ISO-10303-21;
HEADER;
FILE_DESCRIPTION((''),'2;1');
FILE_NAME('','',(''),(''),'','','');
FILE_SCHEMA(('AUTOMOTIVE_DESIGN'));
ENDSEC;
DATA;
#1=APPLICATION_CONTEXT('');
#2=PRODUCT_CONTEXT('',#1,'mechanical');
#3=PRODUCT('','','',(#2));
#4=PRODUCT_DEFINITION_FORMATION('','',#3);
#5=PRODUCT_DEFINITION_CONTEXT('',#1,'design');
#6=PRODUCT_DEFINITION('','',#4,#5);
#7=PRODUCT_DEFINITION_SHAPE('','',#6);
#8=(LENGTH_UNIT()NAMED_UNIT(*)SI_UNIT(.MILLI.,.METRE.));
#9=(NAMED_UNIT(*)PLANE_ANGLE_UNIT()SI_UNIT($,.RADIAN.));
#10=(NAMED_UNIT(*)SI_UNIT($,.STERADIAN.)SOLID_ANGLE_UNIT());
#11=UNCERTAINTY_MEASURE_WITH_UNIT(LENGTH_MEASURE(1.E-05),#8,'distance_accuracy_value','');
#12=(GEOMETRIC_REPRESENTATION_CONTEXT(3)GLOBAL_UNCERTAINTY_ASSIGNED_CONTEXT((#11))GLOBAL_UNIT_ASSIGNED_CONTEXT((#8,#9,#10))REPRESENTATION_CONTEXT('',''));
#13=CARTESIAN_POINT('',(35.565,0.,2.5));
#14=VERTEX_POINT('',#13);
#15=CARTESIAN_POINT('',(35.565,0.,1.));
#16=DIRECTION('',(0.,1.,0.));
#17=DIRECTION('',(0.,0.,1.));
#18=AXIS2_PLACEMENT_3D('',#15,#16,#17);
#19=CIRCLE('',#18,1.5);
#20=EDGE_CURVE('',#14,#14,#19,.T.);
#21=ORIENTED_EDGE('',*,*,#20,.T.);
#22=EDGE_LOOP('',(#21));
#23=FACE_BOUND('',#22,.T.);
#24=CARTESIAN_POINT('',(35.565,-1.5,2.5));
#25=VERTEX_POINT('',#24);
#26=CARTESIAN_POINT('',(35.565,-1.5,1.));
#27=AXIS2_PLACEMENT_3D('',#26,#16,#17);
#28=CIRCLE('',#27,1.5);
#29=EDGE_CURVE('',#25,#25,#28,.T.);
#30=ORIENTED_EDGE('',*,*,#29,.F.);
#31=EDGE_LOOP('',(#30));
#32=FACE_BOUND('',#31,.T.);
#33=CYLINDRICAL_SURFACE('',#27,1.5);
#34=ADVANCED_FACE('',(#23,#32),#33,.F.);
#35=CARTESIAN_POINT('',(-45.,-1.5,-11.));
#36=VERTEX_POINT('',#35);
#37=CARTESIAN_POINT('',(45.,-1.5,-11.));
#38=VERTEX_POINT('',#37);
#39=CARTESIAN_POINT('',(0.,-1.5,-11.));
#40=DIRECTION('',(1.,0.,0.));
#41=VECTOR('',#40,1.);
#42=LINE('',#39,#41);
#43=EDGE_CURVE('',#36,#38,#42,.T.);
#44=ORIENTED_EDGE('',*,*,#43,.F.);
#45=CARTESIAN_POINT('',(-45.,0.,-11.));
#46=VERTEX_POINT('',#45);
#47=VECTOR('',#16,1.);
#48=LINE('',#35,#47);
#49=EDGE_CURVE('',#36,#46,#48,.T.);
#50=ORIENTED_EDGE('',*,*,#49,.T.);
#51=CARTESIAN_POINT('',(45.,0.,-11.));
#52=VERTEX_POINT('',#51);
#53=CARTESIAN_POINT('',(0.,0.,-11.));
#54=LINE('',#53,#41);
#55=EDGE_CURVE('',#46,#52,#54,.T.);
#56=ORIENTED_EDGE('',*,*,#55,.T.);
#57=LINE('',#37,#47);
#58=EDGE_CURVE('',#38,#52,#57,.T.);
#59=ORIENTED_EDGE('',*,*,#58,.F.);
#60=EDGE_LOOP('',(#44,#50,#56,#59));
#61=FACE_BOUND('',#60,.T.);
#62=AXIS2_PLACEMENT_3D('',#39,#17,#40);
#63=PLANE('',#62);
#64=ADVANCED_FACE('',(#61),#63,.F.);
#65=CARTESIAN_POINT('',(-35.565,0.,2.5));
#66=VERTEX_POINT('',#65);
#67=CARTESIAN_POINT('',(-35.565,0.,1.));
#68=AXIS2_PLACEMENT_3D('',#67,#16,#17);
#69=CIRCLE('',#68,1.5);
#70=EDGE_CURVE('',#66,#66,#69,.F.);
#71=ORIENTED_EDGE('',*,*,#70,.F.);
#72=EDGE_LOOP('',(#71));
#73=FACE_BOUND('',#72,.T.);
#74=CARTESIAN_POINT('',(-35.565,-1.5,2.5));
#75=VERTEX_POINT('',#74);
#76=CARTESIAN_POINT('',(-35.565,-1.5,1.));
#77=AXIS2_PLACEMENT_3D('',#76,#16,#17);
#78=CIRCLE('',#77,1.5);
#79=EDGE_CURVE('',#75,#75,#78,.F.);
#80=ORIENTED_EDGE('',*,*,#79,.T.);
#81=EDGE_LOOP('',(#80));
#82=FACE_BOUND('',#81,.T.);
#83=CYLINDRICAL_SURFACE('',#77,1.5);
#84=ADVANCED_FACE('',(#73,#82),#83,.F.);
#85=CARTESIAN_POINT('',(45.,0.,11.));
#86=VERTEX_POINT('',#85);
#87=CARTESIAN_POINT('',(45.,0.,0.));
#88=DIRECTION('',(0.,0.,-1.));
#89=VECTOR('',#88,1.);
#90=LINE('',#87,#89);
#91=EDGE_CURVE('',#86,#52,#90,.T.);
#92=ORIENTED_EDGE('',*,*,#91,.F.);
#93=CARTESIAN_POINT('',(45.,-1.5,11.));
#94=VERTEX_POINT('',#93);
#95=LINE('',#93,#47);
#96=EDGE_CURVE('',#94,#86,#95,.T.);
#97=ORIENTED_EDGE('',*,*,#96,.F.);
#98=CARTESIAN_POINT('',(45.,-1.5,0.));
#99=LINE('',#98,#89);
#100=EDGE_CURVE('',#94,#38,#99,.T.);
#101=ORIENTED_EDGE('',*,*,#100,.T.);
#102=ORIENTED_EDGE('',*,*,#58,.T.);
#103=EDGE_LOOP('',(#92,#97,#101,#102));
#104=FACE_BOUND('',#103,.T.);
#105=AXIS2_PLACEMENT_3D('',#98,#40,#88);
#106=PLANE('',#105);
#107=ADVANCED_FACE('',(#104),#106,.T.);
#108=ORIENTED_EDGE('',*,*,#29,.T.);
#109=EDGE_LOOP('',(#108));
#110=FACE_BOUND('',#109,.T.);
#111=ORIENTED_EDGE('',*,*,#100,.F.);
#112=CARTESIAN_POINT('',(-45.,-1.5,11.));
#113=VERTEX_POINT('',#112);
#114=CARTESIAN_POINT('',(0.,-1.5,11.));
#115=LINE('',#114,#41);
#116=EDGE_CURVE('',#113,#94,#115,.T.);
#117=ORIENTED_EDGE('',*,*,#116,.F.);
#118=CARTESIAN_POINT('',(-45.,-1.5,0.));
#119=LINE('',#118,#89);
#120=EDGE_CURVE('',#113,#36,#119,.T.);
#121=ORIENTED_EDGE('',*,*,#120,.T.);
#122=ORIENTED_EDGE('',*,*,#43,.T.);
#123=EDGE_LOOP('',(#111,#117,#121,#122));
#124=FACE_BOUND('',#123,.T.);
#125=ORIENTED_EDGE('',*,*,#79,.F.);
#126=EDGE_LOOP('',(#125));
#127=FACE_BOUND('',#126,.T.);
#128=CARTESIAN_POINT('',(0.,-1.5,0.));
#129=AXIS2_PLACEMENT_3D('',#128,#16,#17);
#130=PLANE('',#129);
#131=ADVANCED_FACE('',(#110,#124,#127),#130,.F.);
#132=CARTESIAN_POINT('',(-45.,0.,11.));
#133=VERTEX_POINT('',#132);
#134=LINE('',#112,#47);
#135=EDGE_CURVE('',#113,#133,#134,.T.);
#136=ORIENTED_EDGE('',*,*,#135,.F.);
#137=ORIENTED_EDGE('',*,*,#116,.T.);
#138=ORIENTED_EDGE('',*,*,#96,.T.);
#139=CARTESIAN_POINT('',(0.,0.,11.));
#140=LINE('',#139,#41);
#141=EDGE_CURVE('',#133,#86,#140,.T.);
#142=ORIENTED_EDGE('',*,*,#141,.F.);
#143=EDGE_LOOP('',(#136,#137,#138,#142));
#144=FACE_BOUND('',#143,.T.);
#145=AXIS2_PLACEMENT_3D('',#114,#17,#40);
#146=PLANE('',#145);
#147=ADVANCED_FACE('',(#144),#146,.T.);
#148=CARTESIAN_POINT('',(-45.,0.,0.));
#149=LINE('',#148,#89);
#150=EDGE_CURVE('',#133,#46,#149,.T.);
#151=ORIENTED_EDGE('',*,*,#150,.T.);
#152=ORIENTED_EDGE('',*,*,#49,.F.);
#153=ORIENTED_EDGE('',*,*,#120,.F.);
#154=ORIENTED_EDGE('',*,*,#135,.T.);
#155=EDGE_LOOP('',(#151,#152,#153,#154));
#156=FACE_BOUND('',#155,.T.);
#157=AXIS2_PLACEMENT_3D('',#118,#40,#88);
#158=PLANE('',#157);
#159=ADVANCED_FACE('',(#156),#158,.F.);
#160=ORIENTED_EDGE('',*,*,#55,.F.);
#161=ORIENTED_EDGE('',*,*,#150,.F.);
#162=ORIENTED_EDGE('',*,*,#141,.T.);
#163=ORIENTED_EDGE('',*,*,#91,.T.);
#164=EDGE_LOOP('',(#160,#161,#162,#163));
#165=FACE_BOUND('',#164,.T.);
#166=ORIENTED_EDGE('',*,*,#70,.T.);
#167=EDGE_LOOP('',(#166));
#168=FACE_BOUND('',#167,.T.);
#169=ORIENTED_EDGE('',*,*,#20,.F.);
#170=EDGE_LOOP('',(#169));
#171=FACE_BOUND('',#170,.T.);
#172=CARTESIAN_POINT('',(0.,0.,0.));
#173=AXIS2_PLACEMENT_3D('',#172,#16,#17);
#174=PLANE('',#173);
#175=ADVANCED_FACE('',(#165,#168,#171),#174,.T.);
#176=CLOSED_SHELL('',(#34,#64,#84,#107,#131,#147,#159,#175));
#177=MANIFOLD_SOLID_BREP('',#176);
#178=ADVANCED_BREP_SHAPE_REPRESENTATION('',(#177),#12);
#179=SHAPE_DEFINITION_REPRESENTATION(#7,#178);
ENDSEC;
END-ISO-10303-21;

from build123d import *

# Parameters (mm, degrees)
SKETCH1_W           = 90
SKETCH1_H           = 22
SKETCH1_R           = 1.5
BOSS_EXTRUDE1_DEPTH = 1.5


with BuildPart() as part:
    # Sketch1 → Boss-Extrude1 (new body)
    with BuildSketch(Plane(origin=(0, 0, 0), x_dir=(1, 0, 0), z_dir=(0, 1, 0))):
        Rectangle(SKETCH1_W, SKETCH1_H)
        with Locations(Location((35.565, -1, 0), (0, 0, 270))):
            Circle(SKETCH1_R, mode=Mode.SUBTRACT)
        with Locations(Location((-35.565, -1, 0), (0, 0, 270))):
            Circle(SKETCH1_R, mode=Mode.SUBTRACT)
    extrude(amount=-BOSS_EXTRUDE1_DEPTH)


solid = part.part
